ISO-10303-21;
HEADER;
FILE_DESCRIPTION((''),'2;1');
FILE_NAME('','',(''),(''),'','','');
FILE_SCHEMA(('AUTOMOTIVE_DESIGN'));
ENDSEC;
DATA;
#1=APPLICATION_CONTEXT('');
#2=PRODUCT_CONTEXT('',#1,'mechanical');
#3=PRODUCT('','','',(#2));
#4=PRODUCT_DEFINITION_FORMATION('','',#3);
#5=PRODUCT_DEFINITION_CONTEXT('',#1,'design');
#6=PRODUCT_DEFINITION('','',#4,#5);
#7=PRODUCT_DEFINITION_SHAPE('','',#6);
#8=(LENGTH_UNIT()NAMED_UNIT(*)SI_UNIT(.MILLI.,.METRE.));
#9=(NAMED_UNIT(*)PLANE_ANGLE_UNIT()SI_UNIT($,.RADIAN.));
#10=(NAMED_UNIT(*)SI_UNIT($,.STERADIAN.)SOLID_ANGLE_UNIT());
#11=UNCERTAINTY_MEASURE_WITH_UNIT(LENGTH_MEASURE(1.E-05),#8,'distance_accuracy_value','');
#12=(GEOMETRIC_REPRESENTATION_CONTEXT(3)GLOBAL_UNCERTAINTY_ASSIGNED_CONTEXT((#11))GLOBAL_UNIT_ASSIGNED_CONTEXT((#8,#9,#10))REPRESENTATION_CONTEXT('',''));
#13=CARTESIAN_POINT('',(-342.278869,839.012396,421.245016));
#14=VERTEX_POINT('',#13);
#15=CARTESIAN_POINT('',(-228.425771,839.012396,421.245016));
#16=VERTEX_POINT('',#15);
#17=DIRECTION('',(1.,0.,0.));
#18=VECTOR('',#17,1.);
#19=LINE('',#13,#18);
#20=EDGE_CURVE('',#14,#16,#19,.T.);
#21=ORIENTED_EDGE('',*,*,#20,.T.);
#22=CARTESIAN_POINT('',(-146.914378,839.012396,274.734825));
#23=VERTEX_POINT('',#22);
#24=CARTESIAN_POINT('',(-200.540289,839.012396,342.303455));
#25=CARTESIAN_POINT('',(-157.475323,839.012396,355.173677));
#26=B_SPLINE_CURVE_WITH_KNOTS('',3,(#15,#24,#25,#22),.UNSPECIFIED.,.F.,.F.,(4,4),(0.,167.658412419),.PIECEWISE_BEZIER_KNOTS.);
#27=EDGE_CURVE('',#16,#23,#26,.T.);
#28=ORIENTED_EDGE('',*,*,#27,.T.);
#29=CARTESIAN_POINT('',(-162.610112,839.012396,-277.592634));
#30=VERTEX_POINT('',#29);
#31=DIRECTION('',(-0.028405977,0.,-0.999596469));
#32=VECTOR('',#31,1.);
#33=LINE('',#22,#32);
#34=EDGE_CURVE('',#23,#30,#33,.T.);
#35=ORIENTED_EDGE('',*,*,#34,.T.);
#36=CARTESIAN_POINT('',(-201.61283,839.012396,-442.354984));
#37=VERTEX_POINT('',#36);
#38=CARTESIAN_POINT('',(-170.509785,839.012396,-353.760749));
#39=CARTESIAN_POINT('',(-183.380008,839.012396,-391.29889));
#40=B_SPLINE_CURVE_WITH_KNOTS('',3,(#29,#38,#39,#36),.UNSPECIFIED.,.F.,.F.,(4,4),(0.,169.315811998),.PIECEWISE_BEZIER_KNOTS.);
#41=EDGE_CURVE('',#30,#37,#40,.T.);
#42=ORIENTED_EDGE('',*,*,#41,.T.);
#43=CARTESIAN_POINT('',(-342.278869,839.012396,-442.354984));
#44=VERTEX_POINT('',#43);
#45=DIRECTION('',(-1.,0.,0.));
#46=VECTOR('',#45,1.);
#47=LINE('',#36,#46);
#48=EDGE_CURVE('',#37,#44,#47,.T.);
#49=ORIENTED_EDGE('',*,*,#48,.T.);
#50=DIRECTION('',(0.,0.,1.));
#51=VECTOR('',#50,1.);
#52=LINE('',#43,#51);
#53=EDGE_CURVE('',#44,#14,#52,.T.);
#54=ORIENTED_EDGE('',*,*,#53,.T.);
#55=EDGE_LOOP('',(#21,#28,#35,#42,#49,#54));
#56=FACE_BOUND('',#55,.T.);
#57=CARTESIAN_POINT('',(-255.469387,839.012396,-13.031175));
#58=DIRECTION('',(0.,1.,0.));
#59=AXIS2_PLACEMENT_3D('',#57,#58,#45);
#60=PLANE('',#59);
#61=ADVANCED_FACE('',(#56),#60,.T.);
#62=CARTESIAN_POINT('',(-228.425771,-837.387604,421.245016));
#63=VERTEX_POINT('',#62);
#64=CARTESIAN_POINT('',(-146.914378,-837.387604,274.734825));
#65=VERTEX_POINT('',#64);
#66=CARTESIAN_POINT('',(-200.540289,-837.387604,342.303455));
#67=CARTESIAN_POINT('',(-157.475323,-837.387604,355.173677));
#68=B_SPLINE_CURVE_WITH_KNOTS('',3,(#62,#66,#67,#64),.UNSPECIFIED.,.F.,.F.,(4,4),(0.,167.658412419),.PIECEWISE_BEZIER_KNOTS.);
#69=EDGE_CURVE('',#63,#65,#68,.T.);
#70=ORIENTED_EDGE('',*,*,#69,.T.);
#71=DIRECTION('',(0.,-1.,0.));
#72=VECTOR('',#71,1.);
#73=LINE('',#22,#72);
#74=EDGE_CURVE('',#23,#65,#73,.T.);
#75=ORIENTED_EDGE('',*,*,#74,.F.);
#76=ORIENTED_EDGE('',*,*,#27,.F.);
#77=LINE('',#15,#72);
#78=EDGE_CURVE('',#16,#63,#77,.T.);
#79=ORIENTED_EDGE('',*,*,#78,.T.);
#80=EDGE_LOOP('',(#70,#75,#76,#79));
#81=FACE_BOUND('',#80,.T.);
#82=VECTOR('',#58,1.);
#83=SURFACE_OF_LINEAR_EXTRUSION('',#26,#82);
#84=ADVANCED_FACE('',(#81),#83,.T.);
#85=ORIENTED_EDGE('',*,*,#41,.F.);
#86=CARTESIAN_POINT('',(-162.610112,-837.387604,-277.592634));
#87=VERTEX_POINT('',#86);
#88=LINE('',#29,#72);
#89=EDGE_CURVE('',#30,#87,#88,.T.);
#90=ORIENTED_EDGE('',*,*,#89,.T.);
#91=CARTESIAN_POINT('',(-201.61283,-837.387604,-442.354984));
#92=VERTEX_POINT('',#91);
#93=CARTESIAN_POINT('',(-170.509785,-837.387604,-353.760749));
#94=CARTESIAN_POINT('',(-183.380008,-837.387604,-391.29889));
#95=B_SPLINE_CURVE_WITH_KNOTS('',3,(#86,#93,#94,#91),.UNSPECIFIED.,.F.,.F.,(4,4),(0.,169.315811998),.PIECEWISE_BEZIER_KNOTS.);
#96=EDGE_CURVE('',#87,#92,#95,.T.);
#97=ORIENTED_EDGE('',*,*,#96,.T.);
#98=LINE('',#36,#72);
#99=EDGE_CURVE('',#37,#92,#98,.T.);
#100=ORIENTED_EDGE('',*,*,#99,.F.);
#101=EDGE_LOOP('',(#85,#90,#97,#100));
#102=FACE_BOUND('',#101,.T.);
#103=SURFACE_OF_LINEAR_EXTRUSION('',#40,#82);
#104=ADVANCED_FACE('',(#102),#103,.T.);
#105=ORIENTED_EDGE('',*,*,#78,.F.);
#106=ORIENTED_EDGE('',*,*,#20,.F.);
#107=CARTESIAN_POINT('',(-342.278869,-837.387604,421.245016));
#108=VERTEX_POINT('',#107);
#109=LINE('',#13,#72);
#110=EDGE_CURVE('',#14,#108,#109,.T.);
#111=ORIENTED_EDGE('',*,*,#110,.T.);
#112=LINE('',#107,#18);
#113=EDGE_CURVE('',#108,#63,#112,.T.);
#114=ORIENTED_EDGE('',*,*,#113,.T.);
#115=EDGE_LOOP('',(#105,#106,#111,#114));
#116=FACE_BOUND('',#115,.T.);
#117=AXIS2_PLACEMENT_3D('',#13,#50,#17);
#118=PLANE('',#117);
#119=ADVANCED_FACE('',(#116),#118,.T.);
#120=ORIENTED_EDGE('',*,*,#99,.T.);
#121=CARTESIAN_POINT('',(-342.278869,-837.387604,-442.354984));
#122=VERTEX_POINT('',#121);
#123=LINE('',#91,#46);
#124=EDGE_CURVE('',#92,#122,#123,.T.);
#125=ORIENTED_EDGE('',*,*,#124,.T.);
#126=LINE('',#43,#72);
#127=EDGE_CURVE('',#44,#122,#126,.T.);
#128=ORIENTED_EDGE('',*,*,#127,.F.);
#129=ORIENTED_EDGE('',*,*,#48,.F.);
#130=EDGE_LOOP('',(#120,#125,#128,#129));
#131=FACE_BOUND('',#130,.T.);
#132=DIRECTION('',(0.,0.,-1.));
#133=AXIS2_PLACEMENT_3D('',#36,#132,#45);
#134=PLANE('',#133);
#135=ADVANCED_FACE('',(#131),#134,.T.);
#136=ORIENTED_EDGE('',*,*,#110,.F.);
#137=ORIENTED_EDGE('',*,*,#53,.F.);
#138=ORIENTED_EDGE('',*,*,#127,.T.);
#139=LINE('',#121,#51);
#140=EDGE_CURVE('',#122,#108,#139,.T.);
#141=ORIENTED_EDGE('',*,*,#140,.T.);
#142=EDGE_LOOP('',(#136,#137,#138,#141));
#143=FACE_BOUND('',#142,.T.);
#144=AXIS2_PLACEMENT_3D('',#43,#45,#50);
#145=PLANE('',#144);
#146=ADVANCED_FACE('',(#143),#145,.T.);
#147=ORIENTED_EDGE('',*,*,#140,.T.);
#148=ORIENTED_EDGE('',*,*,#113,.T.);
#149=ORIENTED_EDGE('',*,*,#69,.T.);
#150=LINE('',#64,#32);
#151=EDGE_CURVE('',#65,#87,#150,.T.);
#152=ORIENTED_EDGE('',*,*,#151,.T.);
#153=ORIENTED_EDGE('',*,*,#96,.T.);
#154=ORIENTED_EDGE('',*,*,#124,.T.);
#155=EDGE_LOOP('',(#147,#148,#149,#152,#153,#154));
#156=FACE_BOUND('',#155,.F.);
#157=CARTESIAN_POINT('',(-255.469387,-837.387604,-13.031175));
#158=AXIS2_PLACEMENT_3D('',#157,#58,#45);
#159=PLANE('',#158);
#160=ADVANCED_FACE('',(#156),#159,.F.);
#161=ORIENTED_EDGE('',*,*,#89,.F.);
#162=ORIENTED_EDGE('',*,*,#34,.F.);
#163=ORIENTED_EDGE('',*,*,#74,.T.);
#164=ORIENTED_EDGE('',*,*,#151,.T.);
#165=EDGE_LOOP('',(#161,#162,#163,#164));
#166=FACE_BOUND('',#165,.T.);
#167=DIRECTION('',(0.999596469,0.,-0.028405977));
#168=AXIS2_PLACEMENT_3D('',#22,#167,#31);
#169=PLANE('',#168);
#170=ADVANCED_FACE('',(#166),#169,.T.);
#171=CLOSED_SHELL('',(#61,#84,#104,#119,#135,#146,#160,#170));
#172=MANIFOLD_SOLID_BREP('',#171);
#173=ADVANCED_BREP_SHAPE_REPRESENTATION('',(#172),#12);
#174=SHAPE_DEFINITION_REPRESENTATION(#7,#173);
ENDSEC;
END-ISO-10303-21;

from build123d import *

# Parameters (mm, degrees)
F1_DEPTH = 177.8
F2_R     = 50.8
F4_DEPTH = 1676.4


with BuildPart() as f1:
    # F0 (on Right) → F1 (new body)
    with BuildSketch(Plane.YZ):
        with BuildLine():
            add(Edge.make_bspline(
                [(757.3677897453, 430.6074678898), (773.7689614296, 408.6542957115), (839.0123964927, 368.5044864347), (839.0123964927, 295.3796386719)],
                knots=[0, 0, 0, 0, 157.9633109488, 157.9633109488, 157.9633109488, 157.9633109488], degree=3))
            Line((757.3677897453, 430.6074678898), (-839.0123964927, 430.6074678898))
            Line((-839.0123964927, 430.6074678898), (-839.0123964927, -430.6074678898))
            Line((-839.0123964927, -430.6074678898), (-839.0123964927, -456.0074678898))
            Line((-839.0123964927, -456.0074678898), (-601.4769821503, -456.0074678898))
            add(Edge.make_bspline(
                [(-601.4769821503, -456.0074678898), (-562.1427297592, -455.1187157631), (-541.7929887772, -443.0595934391), (-536.967917018, -406.0792799859)],
                knots=[0, 0, 0, 0, 81.5735461508, 81.5735461508, 81.5735461508, 81.5735461508], degree=3))
            ThreePointArc((-536.967917018, -406.0792799859), (-258.1997910033, -122.9745139814), (63.6125510645, -355.9912367912))
            ThreePointArc((63.6125510645, -355.9912367912), (64.9345219834, -361.7820753858), (66.1433977712, -367.5975751983))
            add(Edge.make_bspline(
                [(66.1433977712, -367.5975751983), (79.3549297873, -412.2478035768), (127.0050581979, -426.72), (163.3523256442, -426.72)],
                knots=[9.2699794157, 9.2699794157, 9.2699794157, 9.2699794157, 122.2725667444, 122.2725667444, 122.2725667444, 122.2725667444], degree=3))
            Line((163.3523256442, -426.72), (737.405538559, -426.72))
            add(Edge.make_bspline(
                [(737.405538559, -426.72), (796.8827855437, -426.72), (828.529104676, -398.0098366737), (839.0123964927, -323.7623274326)],
                knots=[0, 0, 0, 0, 144.6521203428, 144.6521203428, 144.6521203428, 144.6521203428], degree=3))
            Line((839.0123964927, -323.7623274326), (839.0123964927, 295.3796386719))
        make_face()
    extrude(amount=F1_DEPTH)

    # F2
    f2_edges = [f1.edges().sort_by_distance(p)[0] for p in [
        (177.8, 839.012396, -14.191344),
    ]]
    fillet(f2_edges, radius=F2_R)


with BuildPart() as f4:
    # F3 (on face) → F4 (new body)
    with BuildSketch(Plane(origin=(0, 839.0123964927, 0), x_dir=(-1, 0, 0), z_dir=(0, 1, 0))):
        with BuildLine():
            Line((342.2788688957, 421.2450157881), (228.425770998, 421.2450157881))
            add(Edge.make_bspline(
                [(228.425770998, 421.2450157881), (200.5402892828, 342.3034548759), (157.4753234207, 355.173677206), (146.9143778086, 274.7348248959)],
                knots=[0, 0, 0, 0, 167.6584124193, 167.6584124193, 167.6584124193, 167.6584124193], degree=3))
            Line((146.9143778086, 274.7348248959), (162.6101124127, -277.5926335351))
            add(Edge.make_bspline(
                [(162.6101124127, -277.5926335351), (170.5097854137, -353.7607491016), (183.3800077438, -391.2988901138), (201.612830162, -442.3549842119)],
                knots=[0, 0, 0, 0, 169.3158119976, 169.3158119976, 169.3158119976, 169.3158119976], degree=3))
            Line((201.612830162, -442.3549842119), (342.2788688957, -442.3549842119))
            Line((342.2788688957, -442.3549842119), (342.2788688957, 421.2450157881))
        make_face()
    extrude(amount=-F4_DEPTH)


solid = f4.part
